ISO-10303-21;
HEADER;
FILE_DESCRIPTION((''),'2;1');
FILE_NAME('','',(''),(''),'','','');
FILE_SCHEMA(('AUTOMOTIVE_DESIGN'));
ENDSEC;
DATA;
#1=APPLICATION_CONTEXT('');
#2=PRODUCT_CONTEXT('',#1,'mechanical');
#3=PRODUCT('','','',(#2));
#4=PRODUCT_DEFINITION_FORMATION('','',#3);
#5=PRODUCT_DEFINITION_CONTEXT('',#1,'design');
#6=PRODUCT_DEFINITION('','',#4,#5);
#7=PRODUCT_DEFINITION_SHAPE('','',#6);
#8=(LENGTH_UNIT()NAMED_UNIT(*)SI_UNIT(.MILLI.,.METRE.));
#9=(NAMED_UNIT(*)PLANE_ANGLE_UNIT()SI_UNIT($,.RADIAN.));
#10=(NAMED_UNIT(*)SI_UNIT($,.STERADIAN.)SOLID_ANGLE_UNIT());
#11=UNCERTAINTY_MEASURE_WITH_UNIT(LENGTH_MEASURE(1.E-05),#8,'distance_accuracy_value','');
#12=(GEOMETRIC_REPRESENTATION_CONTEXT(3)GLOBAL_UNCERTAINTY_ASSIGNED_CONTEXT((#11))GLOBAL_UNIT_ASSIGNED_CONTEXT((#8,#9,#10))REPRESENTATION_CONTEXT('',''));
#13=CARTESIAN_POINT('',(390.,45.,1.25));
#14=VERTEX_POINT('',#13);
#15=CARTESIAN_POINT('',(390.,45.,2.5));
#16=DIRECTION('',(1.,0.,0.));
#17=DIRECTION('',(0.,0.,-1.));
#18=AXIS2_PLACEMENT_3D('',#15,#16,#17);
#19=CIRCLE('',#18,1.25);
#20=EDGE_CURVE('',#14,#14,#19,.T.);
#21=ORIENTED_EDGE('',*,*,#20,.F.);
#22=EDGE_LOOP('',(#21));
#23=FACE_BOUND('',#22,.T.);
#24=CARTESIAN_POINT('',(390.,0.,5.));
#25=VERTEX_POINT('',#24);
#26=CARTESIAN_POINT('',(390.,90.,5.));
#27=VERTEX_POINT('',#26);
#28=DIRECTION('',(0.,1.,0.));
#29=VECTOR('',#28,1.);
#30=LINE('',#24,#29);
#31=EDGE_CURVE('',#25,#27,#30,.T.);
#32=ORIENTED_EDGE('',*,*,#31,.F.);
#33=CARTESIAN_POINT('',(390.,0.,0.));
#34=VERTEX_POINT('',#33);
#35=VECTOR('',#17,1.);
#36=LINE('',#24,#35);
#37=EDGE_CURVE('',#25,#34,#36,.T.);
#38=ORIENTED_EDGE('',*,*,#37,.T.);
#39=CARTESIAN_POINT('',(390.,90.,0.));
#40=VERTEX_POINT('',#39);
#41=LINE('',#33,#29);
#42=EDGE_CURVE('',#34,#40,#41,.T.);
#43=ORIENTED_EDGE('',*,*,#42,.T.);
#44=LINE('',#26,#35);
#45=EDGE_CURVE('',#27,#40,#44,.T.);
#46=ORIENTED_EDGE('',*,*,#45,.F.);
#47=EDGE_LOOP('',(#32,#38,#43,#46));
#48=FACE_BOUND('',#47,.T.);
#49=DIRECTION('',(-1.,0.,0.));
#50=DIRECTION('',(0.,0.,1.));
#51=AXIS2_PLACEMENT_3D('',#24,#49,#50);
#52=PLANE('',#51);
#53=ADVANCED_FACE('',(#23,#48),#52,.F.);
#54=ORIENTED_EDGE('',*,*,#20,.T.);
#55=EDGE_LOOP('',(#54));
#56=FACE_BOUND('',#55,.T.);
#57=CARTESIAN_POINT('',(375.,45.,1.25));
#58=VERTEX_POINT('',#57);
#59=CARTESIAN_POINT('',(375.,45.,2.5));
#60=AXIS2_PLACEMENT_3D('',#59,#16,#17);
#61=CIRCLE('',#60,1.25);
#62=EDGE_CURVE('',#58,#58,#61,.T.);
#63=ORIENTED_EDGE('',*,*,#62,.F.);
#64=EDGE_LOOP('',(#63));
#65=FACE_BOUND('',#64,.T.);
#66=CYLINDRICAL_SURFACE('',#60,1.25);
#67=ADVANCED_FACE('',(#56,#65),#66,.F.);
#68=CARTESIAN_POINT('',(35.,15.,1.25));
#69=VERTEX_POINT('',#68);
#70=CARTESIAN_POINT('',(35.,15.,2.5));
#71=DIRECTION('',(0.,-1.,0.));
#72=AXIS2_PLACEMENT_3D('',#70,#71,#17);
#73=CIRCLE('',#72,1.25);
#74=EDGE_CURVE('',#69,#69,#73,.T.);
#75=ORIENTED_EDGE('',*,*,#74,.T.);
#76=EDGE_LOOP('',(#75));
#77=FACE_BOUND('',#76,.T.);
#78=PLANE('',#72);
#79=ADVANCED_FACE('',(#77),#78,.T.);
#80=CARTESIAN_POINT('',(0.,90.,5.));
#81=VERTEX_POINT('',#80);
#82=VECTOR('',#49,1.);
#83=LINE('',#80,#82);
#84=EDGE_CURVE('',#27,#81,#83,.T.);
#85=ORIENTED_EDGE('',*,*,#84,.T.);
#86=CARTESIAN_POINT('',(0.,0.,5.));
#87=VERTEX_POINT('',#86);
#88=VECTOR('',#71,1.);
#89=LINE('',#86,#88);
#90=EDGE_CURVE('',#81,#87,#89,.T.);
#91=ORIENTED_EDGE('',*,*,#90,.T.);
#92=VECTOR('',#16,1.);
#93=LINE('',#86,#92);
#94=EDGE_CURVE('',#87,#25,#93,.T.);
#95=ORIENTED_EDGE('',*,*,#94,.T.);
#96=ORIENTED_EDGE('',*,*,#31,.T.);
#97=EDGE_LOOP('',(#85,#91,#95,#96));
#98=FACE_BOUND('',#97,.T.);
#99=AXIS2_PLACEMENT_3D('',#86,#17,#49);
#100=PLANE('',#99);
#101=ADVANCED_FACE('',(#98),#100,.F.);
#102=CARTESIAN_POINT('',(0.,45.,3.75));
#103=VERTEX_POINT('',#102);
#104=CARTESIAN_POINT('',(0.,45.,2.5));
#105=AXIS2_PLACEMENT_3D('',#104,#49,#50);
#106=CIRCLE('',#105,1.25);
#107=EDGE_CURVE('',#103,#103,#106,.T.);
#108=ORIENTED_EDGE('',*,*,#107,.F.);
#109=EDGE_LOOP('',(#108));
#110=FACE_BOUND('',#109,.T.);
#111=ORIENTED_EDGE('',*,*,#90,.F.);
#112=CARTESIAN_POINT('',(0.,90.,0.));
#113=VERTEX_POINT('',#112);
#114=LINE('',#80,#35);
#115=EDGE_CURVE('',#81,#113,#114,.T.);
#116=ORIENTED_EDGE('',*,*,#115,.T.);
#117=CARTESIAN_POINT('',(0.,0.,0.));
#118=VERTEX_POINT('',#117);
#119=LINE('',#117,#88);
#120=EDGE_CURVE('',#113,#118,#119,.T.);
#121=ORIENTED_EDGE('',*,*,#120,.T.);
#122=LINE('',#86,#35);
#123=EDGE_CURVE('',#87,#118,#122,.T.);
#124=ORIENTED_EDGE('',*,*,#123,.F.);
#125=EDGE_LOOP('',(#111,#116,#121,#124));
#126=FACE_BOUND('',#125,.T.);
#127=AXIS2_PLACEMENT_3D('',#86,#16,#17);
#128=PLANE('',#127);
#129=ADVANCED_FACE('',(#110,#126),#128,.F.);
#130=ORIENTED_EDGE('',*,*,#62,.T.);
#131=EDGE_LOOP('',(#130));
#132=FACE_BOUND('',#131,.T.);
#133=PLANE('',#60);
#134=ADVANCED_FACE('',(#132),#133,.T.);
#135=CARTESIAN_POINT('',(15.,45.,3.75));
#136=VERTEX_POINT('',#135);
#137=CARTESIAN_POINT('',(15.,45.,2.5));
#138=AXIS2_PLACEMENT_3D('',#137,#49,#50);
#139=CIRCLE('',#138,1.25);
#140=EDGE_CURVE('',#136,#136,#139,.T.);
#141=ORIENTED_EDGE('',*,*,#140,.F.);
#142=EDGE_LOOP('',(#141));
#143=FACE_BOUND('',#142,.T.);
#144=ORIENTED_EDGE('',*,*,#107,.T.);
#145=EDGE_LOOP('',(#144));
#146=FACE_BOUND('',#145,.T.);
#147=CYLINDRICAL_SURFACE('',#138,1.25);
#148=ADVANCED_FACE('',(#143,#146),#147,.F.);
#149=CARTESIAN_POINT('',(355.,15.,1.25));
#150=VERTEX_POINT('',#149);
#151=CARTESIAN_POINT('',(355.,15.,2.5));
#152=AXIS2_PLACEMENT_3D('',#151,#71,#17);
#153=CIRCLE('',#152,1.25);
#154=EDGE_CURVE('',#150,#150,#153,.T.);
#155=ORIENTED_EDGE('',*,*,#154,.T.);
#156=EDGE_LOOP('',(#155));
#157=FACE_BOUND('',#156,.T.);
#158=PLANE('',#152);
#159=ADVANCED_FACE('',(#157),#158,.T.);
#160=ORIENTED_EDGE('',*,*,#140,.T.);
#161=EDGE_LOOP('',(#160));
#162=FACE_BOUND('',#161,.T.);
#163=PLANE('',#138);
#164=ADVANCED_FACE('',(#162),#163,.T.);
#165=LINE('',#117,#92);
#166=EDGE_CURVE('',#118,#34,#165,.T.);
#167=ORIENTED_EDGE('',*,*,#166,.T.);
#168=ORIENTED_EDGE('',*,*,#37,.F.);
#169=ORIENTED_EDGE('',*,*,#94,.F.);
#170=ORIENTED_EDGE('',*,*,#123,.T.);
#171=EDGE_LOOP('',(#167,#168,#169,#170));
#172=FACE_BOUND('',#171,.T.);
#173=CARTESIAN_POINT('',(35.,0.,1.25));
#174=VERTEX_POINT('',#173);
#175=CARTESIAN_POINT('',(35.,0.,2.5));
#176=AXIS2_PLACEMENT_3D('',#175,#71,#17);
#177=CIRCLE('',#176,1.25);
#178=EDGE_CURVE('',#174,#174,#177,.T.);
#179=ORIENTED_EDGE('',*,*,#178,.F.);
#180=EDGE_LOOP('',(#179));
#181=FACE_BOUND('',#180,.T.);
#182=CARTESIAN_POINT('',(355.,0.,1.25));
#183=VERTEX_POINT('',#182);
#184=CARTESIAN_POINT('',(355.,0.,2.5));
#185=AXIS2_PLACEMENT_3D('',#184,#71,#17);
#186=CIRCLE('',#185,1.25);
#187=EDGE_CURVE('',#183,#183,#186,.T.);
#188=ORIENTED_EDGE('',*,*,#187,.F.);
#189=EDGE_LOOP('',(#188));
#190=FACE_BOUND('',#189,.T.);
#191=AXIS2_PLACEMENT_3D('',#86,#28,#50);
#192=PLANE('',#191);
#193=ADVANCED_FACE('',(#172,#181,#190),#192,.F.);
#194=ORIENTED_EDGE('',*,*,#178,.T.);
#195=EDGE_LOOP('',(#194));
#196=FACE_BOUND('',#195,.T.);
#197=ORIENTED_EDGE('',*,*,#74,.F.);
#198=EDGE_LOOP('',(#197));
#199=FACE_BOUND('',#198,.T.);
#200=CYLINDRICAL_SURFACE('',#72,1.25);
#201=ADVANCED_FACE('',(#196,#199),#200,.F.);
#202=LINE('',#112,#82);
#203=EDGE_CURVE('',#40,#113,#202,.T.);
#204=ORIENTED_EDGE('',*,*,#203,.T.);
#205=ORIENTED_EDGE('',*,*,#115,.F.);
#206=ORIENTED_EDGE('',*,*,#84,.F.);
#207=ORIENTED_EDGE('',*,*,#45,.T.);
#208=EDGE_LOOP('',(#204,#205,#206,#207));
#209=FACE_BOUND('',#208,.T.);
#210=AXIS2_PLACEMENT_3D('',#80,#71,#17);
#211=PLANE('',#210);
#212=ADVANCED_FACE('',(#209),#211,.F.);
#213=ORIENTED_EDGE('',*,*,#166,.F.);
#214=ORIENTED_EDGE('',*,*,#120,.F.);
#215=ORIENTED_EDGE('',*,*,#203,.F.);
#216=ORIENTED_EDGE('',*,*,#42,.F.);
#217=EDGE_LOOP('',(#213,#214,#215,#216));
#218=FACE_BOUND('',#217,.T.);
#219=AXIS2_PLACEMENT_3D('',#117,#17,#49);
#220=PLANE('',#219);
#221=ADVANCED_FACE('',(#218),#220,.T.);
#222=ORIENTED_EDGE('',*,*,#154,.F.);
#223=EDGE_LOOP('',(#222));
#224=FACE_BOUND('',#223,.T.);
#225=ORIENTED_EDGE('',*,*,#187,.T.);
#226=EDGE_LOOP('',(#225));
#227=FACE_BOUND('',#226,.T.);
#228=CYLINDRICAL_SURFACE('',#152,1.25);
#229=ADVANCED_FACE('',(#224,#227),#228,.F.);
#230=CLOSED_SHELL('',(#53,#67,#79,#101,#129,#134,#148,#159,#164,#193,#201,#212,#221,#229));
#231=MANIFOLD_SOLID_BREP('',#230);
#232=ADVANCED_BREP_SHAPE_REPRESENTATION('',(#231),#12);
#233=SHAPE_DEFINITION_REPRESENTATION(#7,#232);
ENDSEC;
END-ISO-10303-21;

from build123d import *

# Parameters (mm, degrees)
SKETCH1_W           = 390
SKETCH1_H           = 90
BOSS_EXTRUDE1_DEPTH = 5
SKETCH2_R           = 1.25
CUT_EXTRUDE1_DEPTH  = 15
SKETCH3_R           = 1.25
CUT_EXTRUDE2_DEPTH  = 15
CUT_EXTRUDE3_START  = -15
SKETCH4_R           = 1.25
CUT_EXTRUDE3_DEPTH  = 15


with BuildPart() as part:
    # Sketch1 → Boss-Extrude1 (new body)
    with BuildSketch(Plane.XY):
        with Locations((195, 45)):
            Rectangle(SKETCH1_W, SKETCH1_H)
    extrude(amount=BOSS_EXTRUDE1_DEPTH)

    # Sketch2 → Cut-Extrude1 (cut)
    with BuildSketch(Plane.ZY):
        with Locations((2.5, 45)):
            Circle(SKETCH2_R)
    extrude(amount=-CUT_EXTRUDE1_DEPTH, mode=Mode.SUBTRACT)

    # Sketch3 → Cut-Extrude2 (cut)
    with BuildSketch(Plane(origin=(0, 0, 0), x_dir=(-1, 0, 0), z_dir=(0, -1, 0))):
        with Locations(Location((-35, -2.5, 0), (0, 0, 90))):
            Circle(SKETCH3_R)
        with Locations(Location((-355, -2.5, 0), (0, 0, 90))):
            Circle(SKETCH3_R)
    extrude(amount=-CUT_EXTRUDE2_DEPTH, mode=Mode.SUBTRACT)

    # Sketch4 → Cut-Extrude3 (cut)
    with BuildSketch(Plane(origin=(390, 0, 0), x_dir=(0, 0, -1), z_dir=(1, 0, 0)).offset(CUT_EXTRUDE3_START)):
        with Locations(Location((-2.5, 45, 0), (0, 0, 180))):
            Circle(SKETCH4_R)
    extrude(amount=CUT_EXTRUDE3_DEPTH, mode=Mode.SUBTRACT)


solid = part.part
